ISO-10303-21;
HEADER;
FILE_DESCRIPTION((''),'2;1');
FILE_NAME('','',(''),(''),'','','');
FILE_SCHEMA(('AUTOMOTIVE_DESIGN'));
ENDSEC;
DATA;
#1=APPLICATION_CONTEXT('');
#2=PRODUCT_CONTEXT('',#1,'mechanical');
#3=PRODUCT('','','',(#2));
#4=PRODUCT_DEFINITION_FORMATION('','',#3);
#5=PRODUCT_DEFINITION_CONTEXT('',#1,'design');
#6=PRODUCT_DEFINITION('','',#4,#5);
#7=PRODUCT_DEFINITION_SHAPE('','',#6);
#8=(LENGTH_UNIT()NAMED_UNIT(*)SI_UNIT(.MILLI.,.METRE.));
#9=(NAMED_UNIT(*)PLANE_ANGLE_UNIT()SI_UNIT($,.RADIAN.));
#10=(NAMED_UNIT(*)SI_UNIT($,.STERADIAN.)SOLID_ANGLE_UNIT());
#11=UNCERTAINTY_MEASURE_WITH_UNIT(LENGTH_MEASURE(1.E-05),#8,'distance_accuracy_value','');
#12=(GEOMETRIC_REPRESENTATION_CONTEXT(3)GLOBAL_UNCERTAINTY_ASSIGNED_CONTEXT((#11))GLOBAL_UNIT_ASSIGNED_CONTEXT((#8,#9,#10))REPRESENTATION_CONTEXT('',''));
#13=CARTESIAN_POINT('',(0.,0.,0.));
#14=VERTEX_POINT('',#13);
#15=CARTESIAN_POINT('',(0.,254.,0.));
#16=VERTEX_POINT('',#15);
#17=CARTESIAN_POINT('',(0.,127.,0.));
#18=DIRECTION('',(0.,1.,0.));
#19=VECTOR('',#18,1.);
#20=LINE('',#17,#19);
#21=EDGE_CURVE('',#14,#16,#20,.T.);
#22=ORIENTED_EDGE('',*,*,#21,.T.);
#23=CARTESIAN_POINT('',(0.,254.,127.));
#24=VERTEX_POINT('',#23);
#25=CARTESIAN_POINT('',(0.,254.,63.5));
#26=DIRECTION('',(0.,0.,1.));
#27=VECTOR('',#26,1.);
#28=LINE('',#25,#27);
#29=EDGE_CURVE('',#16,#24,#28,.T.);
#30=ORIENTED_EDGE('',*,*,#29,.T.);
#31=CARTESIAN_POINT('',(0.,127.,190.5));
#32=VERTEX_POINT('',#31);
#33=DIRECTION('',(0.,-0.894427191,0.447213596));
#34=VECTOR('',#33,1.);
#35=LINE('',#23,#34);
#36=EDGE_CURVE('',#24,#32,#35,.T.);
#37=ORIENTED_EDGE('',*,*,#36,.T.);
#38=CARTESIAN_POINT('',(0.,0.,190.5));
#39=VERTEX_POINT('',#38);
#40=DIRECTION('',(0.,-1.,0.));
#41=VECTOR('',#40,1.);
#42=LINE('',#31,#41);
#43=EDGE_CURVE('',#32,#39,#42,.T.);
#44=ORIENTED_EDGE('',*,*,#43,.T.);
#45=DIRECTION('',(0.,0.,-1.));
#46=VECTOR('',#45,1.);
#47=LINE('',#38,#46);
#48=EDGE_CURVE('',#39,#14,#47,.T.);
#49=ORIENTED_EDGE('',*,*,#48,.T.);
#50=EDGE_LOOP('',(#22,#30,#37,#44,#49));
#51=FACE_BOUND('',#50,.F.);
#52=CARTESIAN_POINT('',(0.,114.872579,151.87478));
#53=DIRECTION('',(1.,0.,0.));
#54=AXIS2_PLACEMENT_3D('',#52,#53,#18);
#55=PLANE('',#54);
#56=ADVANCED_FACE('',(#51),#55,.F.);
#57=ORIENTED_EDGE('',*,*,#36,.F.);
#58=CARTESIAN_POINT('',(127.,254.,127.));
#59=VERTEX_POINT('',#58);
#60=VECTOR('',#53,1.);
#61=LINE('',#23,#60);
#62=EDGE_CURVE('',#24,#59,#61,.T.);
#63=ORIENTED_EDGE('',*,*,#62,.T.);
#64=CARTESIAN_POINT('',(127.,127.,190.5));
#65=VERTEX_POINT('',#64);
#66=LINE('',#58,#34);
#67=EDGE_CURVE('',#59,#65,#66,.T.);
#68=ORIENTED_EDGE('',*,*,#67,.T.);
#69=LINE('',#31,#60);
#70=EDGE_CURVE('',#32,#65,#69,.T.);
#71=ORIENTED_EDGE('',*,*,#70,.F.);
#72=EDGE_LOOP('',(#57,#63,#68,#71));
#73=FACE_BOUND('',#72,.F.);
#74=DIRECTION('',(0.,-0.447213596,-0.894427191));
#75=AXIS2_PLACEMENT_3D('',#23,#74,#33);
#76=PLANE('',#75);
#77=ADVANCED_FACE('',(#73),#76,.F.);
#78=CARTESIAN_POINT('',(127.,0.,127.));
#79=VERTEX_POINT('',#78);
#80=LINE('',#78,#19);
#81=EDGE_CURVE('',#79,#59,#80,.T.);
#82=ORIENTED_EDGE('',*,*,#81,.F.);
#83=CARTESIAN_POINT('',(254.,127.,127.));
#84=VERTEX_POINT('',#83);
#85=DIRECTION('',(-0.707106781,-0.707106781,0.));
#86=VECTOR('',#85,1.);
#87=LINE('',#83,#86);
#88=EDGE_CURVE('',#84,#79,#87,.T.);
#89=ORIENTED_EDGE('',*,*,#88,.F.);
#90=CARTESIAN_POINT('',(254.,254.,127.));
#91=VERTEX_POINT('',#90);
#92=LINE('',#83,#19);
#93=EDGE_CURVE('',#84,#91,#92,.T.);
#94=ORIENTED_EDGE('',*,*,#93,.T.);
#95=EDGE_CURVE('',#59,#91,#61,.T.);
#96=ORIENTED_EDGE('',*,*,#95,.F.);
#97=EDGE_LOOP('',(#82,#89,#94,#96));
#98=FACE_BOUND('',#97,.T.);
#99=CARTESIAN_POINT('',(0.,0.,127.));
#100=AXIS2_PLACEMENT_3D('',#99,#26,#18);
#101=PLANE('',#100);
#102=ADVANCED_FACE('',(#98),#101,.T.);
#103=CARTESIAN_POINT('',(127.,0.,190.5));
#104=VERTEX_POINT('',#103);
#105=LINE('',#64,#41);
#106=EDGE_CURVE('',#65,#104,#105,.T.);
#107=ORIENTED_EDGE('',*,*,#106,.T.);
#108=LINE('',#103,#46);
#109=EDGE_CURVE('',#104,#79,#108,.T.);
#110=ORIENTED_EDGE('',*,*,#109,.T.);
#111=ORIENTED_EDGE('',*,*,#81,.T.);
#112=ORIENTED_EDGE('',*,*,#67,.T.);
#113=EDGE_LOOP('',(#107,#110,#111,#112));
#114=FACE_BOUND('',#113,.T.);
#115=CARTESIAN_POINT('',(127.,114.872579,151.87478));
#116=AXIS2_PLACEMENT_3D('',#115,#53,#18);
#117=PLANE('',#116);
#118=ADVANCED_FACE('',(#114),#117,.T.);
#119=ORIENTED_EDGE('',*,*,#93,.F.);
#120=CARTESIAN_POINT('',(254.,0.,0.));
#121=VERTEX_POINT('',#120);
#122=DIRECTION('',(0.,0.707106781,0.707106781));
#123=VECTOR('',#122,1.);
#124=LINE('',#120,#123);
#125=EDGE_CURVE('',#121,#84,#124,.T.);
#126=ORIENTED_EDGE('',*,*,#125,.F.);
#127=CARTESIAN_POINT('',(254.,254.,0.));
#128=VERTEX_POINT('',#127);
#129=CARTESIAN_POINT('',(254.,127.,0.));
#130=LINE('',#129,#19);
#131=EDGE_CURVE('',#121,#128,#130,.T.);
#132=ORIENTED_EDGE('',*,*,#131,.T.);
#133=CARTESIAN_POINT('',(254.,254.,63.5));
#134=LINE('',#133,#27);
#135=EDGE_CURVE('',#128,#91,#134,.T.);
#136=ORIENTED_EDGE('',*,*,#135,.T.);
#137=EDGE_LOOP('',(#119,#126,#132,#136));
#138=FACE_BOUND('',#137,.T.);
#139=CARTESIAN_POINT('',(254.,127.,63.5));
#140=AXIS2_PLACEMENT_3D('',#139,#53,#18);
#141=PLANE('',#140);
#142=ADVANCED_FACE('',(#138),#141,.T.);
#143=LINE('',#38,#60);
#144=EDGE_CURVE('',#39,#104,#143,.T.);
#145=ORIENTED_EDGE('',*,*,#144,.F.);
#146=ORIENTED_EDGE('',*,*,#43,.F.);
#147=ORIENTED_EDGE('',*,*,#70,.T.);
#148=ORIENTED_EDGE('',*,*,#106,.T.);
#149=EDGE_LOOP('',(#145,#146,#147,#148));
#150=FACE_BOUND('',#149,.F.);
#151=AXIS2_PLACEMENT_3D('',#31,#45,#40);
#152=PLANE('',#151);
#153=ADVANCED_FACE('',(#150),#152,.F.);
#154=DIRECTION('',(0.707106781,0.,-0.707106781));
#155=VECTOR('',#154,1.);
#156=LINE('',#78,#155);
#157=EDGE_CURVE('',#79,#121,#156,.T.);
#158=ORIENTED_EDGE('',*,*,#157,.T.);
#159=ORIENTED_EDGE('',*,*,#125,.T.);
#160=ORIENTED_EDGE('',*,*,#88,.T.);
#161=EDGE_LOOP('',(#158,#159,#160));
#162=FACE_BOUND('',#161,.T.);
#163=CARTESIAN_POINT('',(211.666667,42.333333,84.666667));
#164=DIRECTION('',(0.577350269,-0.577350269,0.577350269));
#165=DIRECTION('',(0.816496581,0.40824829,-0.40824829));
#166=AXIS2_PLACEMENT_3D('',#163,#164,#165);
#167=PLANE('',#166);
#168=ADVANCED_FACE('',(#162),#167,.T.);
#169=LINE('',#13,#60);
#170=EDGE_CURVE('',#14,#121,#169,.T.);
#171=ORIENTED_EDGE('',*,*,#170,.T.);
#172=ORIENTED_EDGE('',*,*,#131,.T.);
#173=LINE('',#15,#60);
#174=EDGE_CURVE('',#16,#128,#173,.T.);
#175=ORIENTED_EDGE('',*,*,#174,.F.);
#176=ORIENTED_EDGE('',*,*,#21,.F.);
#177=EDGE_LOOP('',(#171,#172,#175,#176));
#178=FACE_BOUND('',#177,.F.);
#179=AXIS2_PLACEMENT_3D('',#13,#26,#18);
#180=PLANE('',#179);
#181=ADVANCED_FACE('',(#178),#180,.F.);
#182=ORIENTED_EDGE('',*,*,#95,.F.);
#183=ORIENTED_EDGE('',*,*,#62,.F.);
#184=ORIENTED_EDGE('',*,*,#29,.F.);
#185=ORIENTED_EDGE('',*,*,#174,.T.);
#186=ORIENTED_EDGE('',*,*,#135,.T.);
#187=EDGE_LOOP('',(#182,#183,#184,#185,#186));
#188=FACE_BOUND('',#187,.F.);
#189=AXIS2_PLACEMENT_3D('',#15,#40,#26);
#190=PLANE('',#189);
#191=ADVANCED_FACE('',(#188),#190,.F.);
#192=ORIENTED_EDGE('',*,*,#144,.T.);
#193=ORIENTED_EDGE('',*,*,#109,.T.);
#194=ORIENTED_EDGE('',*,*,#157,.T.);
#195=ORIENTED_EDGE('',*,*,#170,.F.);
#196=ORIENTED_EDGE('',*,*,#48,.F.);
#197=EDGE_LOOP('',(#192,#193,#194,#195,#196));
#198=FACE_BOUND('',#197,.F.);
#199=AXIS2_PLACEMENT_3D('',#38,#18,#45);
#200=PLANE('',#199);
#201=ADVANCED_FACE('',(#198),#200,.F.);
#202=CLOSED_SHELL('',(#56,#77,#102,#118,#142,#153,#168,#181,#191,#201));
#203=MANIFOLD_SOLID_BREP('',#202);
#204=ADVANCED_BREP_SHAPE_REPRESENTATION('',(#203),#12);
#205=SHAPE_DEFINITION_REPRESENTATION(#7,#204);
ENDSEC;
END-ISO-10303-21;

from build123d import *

# Parameters (mm, degrees)
F0_W     = 254
F0_H     = 127
F1_DEPTH = 254
F2_DEPTH = 127
F6_DEPTH = 109.9862262806


with BuildPart() as f1:
    # F0 (on Right) → F1 (new body)
    with BuildSketch(Plane.YZ):
        with Locations((127, 63.5)):
            Rectangle(F0_W, F0_H)
    extrude(amount=F1_DEPTH)

    # F0 (on Right) → F2 (join)
    with BuildSketch(Plane.YZ):
        Polygon((0, 190.5), (0, 127), (254, 127), (127, 190.5), align=None)
    extrude(amount=F2_DEPTH)

    # F5 (on 3pt) → F6 (cut, through all)
    with BuildSketch(Plane(origin=(84.6666666667, -84.6666666667, 84.6666666667), x_dir=(0.8164965809, 0.4082482905, -0.4082482905), z_dir=(0.5773502692, -0.5773502692, 0.5773502692))):
        Polygon((207.3901315556, 0), (207.3901315556, 179.6051224214), (51.8475328889, 89.8025612107), align=None)
    extrude(amount=F6_DEPTH, mode=Mode.SUBTRACT)


solid = f1.part
